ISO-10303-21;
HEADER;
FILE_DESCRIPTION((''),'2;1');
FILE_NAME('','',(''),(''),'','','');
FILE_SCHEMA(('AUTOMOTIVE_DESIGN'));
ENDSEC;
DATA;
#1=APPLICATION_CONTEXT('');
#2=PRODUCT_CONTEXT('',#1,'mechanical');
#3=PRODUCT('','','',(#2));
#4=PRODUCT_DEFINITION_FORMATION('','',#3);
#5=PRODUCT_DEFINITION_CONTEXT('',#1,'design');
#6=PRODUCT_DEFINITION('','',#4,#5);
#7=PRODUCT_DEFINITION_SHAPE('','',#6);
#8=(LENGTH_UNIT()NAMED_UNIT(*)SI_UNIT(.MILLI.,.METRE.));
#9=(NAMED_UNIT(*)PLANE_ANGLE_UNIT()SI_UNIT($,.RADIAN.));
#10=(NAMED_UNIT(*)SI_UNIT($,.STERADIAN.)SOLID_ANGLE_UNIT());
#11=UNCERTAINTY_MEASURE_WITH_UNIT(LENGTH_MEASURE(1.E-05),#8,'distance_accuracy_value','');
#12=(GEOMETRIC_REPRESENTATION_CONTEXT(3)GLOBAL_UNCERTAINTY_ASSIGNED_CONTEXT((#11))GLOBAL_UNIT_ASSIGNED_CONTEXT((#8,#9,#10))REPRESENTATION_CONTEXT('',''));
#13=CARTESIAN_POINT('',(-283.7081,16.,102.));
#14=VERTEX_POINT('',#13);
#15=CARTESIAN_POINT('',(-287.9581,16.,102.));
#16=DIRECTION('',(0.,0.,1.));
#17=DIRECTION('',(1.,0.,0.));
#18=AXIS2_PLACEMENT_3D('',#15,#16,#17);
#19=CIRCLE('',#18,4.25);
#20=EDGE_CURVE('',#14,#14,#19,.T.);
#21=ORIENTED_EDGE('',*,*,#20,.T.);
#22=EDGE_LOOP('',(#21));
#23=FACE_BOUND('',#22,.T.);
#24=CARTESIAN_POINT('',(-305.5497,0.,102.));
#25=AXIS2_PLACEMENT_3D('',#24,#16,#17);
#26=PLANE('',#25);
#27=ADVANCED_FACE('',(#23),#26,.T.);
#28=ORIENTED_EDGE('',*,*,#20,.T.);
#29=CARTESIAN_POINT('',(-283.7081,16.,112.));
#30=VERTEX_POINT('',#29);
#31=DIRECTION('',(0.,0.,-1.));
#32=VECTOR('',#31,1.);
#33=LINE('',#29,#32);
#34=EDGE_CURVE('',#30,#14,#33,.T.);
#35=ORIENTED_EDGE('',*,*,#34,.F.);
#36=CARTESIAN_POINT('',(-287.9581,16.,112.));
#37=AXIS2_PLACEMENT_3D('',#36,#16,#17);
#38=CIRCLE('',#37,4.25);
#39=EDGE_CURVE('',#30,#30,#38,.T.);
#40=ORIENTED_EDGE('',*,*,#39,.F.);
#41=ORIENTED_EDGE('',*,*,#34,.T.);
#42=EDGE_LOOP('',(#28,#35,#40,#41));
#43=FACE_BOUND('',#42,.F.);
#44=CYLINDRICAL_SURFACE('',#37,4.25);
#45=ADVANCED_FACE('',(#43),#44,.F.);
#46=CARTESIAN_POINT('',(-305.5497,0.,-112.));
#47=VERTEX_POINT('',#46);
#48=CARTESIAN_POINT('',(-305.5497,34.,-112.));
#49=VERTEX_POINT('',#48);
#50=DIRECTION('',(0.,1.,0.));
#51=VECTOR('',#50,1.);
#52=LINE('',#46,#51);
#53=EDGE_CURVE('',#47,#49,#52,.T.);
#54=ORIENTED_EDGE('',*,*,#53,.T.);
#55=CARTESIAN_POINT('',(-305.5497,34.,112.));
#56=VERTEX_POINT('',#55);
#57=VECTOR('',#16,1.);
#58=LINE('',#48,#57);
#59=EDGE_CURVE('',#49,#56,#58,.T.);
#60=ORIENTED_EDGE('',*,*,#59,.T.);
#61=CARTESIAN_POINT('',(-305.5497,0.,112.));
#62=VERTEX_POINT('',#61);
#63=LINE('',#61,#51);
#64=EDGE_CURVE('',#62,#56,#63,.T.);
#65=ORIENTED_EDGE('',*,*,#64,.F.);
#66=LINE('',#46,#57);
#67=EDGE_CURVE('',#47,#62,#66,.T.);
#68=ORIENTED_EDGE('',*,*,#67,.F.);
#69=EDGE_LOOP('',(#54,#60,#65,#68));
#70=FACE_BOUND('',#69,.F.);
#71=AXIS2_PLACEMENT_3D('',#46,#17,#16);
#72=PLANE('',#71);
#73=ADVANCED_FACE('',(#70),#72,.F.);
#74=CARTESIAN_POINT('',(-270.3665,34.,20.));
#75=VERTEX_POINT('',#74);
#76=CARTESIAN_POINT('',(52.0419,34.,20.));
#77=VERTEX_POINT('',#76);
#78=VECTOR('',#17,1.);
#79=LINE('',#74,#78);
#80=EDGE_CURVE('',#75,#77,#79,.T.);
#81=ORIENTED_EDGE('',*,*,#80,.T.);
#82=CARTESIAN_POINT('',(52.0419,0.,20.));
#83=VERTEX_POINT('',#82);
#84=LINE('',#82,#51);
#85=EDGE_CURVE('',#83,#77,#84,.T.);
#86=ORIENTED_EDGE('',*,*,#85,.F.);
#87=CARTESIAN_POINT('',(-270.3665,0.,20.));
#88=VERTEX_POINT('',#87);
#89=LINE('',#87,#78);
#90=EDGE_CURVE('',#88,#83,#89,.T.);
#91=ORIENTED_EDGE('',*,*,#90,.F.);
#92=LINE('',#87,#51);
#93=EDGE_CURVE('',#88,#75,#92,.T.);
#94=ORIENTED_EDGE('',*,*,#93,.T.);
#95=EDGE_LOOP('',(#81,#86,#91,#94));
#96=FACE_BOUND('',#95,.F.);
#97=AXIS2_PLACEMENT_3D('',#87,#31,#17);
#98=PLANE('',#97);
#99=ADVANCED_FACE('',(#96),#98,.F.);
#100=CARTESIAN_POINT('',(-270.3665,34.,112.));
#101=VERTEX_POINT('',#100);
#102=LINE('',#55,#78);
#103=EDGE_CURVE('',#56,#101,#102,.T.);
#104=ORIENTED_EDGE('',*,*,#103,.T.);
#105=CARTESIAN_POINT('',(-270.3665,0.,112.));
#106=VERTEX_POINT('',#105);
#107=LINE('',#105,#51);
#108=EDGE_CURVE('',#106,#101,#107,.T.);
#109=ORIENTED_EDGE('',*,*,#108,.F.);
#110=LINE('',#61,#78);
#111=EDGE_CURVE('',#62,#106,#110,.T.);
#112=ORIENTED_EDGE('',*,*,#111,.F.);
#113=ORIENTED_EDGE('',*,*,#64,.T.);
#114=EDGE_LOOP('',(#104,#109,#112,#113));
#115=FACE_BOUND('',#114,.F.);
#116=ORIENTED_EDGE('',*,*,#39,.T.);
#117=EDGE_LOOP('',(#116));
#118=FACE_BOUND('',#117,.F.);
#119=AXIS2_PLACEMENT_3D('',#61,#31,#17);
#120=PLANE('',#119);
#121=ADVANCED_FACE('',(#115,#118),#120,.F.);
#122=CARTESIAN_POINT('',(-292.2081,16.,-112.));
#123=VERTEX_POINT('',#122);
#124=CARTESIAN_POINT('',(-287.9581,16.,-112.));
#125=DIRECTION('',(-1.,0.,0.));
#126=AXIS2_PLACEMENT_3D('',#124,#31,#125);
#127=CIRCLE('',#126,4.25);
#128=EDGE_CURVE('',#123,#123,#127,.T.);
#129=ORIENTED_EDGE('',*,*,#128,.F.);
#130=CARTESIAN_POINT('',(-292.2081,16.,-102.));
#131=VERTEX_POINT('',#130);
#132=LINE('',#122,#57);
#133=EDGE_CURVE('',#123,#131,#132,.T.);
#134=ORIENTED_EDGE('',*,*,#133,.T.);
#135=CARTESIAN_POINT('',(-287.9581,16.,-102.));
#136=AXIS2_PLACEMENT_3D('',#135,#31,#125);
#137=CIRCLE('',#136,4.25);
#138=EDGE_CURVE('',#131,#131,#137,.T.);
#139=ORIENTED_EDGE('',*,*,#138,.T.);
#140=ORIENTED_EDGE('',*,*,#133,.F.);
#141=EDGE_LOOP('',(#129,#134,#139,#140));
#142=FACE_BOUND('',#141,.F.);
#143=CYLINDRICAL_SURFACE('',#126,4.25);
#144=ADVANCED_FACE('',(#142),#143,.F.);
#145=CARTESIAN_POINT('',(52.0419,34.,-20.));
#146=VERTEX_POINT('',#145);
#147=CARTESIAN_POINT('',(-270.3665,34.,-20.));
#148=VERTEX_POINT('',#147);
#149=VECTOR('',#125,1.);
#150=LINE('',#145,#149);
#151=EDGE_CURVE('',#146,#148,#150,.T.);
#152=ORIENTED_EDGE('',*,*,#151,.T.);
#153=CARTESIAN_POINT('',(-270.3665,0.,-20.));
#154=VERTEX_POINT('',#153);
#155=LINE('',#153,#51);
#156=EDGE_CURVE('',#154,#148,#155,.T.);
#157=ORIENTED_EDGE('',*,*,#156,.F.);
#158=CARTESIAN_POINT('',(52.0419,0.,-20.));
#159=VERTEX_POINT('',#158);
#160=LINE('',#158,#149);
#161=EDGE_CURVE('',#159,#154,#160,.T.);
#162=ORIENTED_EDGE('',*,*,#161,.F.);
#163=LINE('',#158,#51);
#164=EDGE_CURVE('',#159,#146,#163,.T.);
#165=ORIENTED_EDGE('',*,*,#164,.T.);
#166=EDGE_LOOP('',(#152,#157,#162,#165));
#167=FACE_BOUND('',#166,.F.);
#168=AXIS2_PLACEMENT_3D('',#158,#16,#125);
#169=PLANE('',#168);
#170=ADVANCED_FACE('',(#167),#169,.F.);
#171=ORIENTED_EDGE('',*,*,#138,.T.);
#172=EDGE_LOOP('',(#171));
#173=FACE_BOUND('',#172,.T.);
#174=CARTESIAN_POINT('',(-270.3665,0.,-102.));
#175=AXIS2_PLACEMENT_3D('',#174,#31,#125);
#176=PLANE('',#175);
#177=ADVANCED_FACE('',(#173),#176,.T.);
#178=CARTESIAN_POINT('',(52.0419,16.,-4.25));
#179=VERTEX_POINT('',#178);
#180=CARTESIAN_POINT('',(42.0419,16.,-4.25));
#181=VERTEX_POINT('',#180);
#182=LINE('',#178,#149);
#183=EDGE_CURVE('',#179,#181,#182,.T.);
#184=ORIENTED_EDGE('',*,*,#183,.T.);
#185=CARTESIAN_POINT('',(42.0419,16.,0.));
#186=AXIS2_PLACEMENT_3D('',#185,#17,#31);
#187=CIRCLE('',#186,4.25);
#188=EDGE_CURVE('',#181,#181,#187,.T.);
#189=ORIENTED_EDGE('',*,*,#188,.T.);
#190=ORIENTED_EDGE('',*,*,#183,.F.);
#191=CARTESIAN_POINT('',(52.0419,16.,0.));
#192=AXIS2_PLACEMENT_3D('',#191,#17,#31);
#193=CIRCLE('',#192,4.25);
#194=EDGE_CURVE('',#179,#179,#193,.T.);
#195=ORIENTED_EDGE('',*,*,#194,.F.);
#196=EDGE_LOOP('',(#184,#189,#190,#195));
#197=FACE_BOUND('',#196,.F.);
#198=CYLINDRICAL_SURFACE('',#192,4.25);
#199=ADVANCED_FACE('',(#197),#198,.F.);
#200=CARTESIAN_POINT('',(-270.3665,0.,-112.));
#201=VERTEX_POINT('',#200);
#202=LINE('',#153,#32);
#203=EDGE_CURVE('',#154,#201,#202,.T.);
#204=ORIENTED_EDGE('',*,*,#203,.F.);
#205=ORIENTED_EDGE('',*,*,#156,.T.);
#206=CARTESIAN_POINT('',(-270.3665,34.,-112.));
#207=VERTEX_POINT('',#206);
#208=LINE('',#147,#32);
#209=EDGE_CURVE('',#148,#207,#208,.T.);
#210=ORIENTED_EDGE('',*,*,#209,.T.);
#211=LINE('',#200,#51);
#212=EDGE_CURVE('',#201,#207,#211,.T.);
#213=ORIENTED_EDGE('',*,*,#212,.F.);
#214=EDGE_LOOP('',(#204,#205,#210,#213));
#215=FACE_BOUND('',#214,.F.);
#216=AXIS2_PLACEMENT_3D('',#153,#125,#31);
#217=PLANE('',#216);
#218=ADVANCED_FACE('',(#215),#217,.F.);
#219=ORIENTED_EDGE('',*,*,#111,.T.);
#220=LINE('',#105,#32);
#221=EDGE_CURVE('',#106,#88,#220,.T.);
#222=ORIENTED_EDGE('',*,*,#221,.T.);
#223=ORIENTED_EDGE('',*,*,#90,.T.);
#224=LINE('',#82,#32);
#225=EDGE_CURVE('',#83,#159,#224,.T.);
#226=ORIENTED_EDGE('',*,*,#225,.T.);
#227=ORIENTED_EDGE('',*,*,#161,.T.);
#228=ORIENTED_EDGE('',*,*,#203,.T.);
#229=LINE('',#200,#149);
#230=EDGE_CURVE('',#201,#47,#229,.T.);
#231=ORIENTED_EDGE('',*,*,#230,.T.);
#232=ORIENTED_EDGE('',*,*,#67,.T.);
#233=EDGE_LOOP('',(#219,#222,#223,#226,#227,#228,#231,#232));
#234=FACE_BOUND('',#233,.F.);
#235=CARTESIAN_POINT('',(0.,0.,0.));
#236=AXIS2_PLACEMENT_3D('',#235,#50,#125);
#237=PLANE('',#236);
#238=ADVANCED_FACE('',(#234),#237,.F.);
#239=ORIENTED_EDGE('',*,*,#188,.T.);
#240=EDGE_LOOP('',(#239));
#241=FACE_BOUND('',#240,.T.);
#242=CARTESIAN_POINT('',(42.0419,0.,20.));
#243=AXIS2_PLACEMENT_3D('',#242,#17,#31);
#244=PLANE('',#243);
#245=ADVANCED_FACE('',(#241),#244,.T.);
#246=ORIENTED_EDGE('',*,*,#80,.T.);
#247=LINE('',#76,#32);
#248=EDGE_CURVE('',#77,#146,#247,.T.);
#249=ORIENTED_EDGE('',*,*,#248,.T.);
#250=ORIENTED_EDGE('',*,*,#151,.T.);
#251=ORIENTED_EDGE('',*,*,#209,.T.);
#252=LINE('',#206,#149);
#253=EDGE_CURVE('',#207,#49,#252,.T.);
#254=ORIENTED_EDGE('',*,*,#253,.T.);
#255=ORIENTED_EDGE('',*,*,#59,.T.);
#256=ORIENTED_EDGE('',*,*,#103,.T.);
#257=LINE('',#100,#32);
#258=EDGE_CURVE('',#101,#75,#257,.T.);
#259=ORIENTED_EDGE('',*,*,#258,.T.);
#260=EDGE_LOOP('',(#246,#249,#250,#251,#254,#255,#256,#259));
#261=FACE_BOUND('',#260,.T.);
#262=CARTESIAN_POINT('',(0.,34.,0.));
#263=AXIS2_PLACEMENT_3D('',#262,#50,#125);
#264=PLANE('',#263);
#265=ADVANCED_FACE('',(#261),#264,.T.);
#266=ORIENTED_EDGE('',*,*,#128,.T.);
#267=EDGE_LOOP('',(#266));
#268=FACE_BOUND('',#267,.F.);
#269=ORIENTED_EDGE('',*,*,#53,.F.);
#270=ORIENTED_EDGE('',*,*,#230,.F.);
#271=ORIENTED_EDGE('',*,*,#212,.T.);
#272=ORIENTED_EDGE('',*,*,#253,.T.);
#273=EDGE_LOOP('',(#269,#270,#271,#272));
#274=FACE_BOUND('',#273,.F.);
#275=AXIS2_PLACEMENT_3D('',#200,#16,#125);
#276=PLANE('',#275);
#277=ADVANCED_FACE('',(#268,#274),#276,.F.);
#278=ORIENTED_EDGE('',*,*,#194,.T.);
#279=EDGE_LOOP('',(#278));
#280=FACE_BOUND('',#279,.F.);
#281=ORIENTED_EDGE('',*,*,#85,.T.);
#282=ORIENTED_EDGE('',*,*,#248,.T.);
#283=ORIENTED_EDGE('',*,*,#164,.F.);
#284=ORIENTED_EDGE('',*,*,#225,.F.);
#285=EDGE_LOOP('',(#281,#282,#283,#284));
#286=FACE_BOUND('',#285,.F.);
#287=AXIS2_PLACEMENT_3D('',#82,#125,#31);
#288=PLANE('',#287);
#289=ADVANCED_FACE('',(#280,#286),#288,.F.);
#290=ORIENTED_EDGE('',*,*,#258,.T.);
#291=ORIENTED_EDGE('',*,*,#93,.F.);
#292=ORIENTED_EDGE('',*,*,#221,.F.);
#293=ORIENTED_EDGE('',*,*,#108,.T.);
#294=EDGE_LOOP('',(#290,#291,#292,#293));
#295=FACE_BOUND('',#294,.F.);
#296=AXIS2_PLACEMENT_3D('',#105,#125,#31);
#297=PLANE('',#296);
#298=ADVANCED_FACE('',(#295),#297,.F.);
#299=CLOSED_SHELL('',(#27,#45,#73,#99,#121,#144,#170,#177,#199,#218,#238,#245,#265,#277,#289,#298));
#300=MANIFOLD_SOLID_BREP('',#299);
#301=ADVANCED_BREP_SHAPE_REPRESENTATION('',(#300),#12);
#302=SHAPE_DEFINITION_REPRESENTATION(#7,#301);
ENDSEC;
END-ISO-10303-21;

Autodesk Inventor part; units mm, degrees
ref_plane "YZ Plane" through (0, 0, 0) normal (1, 0, 0) x (0, 1, 0)
ref_plane "XZ Plane" through (0, 0, 0) normal (0, 1, 0) x (-1, 0, 0)
ref_plane "XY Plane" through (0, 0, 0) normal (0, 0, 1) x (1, 0, 0)
sketch "Sketch1" plane through (0, 0, 0) normal (0, 1, 0) x (-1, 0, 0)
  line L0 (-52.0419, 20) -> (-52.0419, -20)
  line L1 (52.0419, 20) -> (-52.0419, -20) construction
  line L2 (-52.0419, 20) -> (52.0419, -20) construction
  line L3 (305.5497, 112) -> (270.3665, 112)
  line L4 (270.3665, -112) -> (305.5497, -112)
  line L5 (305.5497, -112) -> (305.5497, 112)
  line L6 (305.5497, 112) -> (270.3665, -112) construction
  line L7 (270.3665, 112) -> (305.5497, -112) construction
  line L8 (270.3665, 20) -> (-52.0419, 20)
  line L9 (270.3665, 112) -> (270.3665, 20)
  line L10 (270.3665, -20) -> (270.3665, -112)
  line L11 (-52.0419, -20) -> (270.3665, -20)
  point P0 (0, 0)
  point P1 (287.9581, 0)
  point P2 (-52.0419, 0)
  dimension "d17" = 224
  dimension "d19" = 40
  dimension "d20" = 340
extrude "Extrusion1" add sketch "Sketch1" along normal blind 34
sketch "Sketch2" plane through (-305.5497, 0, 112) normal (0, 0, 1) x (1, 0, 0)
  circle A0 centre (17.5916, 16) radius 4.25
  line L0 (0, 0) -> (35.1832, 0) projected
  line L1 (0, 0) -> (0, 34) projected
  point P0 (305.5497, 0)
  point P1 (17.5916, 0)
  dimension "d2" = 8.5
  dimension "d3" = 16
sketch "Sketch3" plane through (52.0419, 0, 20) normal (1, 0, 0) x (0, 0, -1)
  circle A0 centre (20, 16) radius 4.25
  line L0 (0, 0) -> (40, 0) projected
  line L1 (40, 0) -> (40, 34) projected
  point P0 (20, 0)
  point P1 (20, 0)
  dimension "d4" = 8.5
  dimension "d5" = 16
sketch "Sketch4" plane through (-270.3665, 0, -112) normal (0, 0, -1) x (-1, 0, 0)
  circle A0 centre (17.5916, 16) radius 4.25
  line L0 (0, 0) -> (35.1832, 0) projected
  line L1 (0, 0) -> (0, 34) projected
  point P0 (-270.3665, 0)
  point P1 (17.5916, 0)
  dimension "d6" = 8.5
  dimension "d7" = 16
extrude "Extrusion2" cut sketch "Sketch4" against normal blind 10
extrude "Extrusion3" cut sketch "Sketch2" against normal blind 10
extrude "Extrusion4" cut sketch "Sketch3" against normal blind 10
properties part number "T"
